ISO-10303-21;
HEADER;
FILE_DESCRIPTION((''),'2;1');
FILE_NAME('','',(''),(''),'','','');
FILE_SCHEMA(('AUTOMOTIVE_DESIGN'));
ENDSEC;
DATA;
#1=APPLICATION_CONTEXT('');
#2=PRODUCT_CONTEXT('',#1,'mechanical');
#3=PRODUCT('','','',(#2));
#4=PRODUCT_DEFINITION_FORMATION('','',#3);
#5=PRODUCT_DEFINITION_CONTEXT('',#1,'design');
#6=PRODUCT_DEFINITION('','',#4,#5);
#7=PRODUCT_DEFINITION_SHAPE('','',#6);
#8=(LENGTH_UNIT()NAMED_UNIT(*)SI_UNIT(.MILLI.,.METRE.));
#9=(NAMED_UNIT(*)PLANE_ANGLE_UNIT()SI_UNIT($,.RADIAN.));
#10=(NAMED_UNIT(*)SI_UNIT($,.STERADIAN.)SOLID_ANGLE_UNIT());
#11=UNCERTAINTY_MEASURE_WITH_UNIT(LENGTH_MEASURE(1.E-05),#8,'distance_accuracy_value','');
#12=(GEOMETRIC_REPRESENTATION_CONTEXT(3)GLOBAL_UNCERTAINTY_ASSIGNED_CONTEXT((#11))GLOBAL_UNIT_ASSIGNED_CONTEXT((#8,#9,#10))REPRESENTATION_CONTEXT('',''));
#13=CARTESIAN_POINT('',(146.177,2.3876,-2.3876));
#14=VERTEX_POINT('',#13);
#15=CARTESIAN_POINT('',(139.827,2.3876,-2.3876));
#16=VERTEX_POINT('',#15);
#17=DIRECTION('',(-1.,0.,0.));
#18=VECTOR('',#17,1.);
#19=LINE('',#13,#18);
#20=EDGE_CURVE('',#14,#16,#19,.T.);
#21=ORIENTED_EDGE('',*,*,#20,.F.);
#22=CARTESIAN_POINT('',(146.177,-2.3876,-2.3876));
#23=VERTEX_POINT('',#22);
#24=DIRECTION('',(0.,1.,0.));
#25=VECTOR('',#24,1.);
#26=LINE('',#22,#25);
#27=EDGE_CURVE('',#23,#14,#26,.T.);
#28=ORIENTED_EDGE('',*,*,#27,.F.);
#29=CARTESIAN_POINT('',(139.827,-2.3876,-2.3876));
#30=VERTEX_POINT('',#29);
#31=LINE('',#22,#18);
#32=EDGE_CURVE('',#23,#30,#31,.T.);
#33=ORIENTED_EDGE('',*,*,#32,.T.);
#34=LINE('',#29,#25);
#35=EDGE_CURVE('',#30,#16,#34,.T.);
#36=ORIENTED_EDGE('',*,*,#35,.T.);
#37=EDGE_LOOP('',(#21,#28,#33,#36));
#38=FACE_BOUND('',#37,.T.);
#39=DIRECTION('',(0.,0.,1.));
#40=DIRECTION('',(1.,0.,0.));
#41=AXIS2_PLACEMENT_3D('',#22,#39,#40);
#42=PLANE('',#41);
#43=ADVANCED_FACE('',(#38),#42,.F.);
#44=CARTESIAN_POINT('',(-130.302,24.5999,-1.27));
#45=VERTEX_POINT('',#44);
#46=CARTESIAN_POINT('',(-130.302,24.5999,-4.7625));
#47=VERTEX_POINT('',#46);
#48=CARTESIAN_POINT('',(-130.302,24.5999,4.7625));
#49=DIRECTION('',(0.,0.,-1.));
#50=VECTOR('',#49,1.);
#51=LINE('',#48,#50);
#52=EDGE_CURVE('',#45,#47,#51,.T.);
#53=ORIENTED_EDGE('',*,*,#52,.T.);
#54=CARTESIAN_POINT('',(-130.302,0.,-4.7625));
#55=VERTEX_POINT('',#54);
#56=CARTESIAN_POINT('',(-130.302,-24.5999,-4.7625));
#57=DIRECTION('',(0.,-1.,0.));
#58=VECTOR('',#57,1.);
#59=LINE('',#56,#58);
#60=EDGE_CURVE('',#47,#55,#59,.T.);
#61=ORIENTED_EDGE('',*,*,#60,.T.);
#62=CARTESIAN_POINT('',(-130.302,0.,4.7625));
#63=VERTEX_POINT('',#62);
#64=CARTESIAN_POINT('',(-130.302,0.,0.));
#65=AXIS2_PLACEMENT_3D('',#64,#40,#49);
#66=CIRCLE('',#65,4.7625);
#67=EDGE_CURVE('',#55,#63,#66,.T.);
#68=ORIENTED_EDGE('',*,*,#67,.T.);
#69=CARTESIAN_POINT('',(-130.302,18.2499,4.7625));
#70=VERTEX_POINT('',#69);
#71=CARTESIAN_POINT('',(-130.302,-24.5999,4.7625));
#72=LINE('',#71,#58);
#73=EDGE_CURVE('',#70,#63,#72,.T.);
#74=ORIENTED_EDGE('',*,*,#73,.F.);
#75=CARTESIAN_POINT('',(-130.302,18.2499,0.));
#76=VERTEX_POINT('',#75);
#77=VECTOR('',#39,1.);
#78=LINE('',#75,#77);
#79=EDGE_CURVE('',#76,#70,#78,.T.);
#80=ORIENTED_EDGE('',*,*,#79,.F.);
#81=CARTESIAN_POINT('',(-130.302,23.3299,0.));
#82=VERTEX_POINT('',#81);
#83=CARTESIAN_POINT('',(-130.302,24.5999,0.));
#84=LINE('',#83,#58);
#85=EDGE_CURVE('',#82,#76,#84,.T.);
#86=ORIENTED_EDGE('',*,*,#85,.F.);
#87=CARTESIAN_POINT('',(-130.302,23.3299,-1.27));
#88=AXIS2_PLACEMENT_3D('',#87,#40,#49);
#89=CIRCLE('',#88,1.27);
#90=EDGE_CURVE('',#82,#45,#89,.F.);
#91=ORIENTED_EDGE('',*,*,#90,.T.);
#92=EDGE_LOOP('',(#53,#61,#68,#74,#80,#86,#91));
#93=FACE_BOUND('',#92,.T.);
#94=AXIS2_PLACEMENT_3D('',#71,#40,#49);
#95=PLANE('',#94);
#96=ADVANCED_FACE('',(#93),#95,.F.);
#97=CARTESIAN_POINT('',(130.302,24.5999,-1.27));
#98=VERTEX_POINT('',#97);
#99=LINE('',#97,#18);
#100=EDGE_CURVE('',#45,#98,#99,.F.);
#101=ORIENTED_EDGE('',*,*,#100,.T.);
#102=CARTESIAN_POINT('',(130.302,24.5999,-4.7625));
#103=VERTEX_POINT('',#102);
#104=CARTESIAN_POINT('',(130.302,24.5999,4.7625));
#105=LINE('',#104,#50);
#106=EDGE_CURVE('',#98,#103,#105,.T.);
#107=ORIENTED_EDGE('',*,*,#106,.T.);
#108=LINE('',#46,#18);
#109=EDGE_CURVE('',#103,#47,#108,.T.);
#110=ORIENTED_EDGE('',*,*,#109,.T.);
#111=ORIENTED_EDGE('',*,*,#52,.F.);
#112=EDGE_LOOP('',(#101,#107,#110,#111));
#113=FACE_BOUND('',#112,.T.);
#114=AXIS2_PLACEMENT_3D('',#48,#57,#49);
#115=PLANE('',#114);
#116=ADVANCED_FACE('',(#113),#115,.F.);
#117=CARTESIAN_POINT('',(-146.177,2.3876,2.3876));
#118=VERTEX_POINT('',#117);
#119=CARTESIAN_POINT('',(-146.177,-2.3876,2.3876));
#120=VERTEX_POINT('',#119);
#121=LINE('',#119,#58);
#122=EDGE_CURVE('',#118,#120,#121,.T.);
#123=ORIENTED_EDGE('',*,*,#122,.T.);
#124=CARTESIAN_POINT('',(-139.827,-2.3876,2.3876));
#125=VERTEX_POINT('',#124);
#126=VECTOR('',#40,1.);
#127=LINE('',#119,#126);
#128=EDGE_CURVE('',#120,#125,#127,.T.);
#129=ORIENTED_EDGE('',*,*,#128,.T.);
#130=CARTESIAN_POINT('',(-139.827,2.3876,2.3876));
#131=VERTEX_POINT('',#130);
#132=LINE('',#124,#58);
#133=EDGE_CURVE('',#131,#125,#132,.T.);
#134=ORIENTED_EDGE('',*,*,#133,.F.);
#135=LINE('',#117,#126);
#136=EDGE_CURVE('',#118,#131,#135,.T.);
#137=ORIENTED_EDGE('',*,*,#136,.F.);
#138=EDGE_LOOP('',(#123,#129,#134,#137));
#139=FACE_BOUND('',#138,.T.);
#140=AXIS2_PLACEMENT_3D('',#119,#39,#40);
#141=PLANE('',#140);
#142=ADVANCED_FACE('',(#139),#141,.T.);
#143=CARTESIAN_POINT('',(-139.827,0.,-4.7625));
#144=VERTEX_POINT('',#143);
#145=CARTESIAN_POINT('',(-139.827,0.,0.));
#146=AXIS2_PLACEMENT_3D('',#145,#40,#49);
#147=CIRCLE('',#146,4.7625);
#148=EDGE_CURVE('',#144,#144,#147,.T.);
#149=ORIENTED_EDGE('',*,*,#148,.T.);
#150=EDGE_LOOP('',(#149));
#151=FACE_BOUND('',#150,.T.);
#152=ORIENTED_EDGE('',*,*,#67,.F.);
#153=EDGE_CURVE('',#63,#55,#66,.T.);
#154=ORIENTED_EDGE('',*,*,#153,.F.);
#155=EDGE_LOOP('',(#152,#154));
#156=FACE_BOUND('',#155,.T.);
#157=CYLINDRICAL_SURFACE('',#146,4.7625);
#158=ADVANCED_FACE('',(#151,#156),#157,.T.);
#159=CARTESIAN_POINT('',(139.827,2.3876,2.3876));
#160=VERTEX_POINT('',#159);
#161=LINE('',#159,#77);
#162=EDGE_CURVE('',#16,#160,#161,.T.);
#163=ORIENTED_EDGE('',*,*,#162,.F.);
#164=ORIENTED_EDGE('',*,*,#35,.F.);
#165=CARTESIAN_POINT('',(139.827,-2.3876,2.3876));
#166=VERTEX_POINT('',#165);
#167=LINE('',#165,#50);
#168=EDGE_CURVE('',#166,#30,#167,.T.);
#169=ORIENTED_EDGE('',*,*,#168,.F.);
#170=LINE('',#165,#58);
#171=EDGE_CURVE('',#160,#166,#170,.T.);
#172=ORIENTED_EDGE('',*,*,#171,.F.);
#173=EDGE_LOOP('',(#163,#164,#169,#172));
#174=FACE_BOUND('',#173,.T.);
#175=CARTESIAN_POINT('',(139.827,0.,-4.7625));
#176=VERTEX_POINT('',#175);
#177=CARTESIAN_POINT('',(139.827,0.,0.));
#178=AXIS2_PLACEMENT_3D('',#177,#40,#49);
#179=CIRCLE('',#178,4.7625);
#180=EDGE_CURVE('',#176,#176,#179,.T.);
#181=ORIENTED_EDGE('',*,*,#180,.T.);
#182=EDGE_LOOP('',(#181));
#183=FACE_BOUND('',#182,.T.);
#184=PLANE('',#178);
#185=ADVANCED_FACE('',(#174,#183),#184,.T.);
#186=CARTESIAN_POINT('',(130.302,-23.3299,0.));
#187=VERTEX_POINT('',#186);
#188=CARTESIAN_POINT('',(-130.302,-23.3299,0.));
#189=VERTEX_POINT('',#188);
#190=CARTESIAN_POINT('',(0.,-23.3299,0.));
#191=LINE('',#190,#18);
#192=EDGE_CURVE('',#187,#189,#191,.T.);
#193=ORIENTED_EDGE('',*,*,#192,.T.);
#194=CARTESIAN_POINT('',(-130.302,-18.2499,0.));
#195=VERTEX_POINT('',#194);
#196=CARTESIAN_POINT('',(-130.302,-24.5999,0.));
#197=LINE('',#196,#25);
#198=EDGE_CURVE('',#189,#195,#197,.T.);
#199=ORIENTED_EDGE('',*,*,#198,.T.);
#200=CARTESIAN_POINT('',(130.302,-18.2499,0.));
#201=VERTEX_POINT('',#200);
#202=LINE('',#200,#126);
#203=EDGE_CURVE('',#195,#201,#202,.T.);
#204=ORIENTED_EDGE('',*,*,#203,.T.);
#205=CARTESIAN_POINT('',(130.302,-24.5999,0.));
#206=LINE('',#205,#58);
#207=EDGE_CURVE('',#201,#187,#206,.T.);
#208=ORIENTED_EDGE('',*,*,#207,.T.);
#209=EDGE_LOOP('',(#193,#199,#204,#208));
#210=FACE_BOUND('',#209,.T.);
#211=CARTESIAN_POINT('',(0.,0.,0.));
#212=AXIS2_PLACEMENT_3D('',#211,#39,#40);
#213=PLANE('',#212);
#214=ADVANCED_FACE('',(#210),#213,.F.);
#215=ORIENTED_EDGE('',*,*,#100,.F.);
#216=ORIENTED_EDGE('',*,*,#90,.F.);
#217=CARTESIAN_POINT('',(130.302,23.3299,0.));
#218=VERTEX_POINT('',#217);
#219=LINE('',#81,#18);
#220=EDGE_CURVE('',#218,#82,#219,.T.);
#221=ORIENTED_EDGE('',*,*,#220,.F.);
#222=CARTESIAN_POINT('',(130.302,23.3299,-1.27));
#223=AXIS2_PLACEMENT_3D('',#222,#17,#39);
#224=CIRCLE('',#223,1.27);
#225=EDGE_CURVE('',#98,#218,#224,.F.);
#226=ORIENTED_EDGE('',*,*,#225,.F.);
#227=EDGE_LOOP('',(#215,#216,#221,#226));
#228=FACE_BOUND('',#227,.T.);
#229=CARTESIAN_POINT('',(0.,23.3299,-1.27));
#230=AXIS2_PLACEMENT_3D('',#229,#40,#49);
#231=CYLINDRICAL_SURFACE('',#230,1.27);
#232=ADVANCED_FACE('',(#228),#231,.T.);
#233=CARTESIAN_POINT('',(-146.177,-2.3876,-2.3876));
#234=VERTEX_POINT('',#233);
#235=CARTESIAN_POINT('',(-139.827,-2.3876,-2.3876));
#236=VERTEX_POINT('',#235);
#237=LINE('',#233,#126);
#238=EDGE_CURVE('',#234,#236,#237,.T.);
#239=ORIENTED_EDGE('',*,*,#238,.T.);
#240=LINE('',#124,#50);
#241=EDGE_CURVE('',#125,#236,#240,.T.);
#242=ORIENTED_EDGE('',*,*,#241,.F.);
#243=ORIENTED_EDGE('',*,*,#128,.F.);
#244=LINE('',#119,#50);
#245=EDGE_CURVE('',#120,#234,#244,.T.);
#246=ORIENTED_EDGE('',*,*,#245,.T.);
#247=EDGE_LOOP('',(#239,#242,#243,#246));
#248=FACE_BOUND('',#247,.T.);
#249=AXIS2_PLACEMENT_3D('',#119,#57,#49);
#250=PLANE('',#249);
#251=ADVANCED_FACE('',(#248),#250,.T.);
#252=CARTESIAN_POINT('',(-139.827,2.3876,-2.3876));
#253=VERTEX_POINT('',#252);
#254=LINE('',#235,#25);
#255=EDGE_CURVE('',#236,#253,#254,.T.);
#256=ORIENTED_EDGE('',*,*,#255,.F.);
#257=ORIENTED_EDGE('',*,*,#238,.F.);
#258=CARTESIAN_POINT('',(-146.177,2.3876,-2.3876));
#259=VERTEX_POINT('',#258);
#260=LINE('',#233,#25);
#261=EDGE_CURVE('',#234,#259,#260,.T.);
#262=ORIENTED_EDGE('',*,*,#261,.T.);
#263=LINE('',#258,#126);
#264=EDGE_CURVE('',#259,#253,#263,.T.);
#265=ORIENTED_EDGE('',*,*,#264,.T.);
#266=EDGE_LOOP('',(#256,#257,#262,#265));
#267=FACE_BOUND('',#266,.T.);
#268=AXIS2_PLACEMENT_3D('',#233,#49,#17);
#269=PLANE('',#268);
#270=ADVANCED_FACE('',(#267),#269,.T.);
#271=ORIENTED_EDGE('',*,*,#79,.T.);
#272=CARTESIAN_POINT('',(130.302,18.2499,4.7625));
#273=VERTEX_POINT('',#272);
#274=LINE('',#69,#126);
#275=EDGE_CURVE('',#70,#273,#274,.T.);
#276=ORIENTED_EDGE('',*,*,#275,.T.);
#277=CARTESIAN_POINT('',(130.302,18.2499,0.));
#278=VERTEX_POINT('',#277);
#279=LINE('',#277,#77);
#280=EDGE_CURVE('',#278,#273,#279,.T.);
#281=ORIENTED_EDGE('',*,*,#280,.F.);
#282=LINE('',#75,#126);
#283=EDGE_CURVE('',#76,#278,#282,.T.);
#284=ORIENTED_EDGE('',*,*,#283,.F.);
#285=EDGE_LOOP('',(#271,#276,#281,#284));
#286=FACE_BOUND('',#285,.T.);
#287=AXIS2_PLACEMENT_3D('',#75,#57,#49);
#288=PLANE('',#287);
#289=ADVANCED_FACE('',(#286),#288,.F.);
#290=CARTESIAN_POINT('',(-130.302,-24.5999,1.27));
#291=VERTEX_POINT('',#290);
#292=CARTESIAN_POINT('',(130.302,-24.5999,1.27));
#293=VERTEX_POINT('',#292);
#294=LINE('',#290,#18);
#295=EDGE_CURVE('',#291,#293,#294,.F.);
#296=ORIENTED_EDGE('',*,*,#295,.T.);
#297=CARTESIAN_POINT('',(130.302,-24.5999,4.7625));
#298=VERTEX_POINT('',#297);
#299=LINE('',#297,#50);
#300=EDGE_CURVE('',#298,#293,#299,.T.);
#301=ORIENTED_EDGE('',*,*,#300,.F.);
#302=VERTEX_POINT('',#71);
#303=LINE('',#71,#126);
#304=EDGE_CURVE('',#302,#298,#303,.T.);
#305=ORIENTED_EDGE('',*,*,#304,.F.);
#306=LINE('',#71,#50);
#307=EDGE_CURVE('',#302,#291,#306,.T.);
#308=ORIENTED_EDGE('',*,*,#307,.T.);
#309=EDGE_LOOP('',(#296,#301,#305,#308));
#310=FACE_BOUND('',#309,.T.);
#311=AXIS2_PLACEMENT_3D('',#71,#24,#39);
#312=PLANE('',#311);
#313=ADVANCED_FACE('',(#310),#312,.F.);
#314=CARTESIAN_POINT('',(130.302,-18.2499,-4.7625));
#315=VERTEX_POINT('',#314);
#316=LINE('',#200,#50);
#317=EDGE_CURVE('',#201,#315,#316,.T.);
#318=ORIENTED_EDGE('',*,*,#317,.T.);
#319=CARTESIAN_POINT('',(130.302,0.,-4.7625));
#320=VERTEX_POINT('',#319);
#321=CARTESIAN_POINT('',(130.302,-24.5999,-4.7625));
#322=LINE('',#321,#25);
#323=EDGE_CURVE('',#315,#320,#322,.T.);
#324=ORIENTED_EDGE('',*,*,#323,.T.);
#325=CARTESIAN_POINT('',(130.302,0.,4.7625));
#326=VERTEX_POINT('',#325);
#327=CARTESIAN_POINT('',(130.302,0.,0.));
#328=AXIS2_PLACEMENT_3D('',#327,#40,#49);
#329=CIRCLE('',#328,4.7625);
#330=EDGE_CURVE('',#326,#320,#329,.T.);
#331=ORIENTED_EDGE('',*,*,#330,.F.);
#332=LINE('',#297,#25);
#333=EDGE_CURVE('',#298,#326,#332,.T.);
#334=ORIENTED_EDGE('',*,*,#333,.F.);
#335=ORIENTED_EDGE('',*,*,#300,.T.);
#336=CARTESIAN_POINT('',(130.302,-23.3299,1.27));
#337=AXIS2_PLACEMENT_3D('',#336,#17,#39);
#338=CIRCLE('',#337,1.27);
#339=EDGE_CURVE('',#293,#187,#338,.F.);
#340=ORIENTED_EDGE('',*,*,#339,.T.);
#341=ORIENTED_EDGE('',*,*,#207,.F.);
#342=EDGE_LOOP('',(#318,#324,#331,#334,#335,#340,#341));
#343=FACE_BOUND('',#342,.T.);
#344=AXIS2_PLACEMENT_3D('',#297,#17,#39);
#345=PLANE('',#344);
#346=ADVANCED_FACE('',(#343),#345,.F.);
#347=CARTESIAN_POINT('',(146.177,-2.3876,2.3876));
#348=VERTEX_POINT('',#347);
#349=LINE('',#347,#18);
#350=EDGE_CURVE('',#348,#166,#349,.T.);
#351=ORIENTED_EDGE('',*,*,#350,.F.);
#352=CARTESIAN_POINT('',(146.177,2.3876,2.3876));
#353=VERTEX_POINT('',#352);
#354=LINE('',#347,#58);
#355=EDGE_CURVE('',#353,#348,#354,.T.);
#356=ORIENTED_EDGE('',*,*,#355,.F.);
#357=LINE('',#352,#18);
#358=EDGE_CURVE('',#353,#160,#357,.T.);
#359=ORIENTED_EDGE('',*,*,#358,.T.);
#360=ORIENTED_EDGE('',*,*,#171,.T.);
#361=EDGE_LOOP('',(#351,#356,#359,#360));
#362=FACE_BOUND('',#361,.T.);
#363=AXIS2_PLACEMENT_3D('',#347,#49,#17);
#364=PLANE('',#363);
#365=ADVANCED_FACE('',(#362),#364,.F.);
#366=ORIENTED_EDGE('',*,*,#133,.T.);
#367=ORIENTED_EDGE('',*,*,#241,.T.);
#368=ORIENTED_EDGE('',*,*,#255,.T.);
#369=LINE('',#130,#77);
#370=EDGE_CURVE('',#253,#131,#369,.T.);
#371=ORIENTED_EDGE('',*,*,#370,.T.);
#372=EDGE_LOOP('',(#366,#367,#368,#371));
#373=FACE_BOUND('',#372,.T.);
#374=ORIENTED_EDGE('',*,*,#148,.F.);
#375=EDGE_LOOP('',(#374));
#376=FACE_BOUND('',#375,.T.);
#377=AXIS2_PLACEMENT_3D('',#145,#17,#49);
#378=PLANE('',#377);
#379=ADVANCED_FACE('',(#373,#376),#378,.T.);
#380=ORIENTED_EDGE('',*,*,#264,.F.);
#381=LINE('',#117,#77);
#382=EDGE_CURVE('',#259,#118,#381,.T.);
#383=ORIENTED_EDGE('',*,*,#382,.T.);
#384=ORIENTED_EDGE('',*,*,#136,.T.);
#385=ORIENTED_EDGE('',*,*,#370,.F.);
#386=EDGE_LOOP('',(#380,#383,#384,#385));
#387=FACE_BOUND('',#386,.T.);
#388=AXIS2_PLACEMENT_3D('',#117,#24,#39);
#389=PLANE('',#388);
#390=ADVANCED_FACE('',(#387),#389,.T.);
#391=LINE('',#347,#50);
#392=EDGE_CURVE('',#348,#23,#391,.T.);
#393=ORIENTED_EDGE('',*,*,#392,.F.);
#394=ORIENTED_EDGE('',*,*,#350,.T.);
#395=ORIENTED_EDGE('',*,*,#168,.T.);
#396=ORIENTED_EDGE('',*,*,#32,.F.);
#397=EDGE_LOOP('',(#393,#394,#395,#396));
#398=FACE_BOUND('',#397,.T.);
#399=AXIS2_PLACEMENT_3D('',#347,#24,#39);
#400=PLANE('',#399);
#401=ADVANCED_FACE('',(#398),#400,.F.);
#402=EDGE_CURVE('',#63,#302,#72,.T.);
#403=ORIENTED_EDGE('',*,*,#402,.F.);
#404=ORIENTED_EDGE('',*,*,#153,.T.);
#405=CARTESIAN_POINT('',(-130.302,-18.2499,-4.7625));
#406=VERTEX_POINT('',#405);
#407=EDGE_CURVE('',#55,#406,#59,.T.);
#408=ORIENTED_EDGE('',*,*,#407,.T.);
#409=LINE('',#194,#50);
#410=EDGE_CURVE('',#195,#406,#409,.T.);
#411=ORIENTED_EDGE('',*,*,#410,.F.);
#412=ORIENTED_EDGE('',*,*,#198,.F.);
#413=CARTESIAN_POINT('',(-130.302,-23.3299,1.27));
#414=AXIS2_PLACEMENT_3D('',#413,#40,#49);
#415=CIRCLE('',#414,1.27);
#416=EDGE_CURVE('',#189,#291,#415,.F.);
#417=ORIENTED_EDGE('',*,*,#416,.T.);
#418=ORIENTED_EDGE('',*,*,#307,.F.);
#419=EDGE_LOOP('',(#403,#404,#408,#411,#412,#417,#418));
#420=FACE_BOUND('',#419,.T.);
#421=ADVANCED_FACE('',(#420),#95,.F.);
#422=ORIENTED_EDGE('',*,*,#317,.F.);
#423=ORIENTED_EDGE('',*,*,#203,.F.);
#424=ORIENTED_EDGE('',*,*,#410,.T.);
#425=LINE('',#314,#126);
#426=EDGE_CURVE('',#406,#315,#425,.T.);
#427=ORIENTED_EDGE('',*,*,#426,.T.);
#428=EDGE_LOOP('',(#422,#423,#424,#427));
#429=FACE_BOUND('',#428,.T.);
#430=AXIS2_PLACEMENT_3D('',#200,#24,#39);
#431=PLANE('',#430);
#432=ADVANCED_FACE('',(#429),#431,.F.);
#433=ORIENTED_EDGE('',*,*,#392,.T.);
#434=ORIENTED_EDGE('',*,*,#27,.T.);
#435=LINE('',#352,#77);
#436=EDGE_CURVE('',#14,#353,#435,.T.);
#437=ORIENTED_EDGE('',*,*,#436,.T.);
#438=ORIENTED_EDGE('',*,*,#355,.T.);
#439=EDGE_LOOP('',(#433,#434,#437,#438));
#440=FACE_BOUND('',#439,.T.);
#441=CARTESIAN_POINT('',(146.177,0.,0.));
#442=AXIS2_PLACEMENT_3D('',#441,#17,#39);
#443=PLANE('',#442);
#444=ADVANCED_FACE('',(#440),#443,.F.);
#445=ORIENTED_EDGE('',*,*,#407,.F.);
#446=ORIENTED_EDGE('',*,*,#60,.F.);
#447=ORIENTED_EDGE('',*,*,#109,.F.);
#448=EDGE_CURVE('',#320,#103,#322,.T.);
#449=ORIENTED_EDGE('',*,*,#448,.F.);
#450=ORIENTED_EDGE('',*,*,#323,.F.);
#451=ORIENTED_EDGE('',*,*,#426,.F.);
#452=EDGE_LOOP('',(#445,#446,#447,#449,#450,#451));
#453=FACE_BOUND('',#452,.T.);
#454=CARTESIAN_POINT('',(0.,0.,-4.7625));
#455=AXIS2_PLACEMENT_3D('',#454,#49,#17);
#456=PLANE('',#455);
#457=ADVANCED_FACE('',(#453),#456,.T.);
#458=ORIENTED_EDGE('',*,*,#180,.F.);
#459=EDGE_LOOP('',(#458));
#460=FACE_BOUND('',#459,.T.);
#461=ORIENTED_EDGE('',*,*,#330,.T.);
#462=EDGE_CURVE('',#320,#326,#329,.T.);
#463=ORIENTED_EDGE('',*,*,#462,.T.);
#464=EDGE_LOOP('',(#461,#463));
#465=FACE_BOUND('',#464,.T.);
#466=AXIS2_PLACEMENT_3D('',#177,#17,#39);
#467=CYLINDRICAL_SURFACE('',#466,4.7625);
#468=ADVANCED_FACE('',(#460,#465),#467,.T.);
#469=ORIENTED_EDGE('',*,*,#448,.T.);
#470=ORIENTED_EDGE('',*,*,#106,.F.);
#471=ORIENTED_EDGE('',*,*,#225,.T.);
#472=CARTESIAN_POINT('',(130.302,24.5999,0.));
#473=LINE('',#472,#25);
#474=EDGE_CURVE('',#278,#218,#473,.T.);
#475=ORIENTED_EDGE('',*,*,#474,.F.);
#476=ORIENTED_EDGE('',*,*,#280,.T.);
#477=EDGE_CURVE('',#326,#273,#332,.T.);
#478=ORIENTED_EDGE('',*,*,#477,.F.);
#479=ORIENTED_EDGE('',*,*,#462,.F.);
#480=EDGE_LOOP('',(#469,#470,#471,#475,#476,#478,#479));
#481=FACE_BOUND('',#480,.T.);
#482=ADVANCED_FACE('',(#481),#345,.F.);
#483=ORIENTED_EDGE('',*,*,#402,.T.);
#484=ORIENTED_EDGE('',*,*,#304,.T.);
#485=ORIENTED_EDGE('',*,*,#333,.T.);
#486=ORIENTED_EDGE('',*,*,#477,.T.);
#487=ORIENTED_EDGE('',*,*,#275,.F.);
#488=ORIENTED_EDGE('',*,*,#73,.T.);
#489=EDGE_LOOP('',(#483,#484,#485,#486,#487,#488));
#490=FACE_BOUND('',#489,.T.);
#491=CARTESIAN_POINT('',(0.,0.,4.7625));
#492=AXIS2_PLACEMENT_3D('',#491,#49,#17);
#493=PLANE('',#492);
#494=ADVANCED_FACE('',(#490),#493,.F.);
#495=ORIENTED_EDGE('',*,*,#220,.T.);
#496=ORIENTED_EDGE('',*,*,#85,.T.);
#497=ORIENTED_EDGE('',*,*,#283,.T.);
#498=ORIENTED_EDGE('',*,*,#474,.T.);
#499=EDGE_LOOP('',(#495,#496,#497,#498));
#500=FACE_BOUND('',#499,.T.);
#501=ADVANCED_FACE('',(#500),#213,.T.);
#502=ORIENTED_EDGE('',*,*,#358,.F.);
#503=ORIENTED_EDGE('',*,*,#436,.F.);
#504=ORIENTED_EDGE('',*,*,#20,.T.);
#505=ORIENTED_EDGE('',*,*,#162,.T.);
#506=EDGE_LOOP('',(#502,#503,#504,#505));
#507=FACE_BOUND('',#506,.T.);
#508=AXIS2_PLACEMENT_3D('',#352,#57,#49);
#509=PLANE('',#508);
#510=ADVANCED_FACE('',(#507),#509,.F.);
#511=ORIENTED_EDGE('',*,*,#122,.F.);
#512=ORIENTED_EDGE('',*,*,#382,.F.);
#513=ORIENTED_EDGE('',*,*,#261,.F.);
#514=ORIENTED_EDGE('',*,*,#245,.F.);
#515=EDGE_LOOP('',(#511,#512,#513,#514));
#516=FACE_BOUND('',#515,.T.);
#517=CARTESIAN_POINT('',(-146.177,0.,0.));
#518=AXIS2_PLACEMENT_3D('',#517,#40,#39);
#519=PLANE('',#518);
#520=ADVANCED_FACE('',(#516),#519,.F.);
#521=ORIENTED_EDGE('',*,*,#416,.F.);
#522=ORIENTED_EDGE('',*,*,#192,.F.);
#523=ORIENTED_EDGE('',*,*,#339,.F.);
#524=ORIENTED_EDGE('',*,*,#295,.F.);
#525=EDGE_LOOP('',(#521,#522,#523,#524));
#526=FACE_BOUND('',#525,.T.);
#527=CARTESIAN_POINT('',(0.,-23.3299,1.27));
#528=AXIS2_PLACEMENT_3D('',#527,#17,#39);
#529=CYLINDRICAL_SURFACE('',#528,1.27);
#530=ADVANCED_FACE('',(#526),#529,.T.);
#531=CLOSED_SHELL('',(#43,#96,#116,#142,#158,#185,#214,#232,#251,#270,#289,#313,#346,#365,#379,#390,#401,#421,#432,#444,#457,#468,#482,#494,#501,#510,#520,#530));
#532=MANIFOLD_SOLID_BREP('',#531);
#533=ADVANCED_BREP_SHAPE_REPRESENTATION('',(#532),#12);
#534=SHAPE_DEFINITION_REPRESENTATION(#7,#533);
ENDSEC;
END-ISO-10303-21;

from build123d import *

# Parameters (mm, degrees)
SKETCH1_W           = 260.604
SKETCH1_H           = 49.1998
BOSS_EXTRUDE1_DEPTH = 4.7625
SKETCH2_R           = 4.7625
BOSS_EXTRUDE2_DEPTH = 9.525
SKETCH3_W           = 4.7752
SKETCH3_H           = 4.7752
BOSS_EXTRUDE3_DEPTH = 6.35
SKETCH4_W           = 260.604
SKETCH4_H           = 6.35
CUT_EXTRUDE1_DEPTH  = 4.7625
SKETCH5_W           = 260.604
SKETCH5_H           = 6.35
CUT_EXTRUDE2_DEPTH  = 4.7625
FILLET1_R           = 1.27


with BuildPart() as part:
    # Sketch1 → Boss-Extrude1 (new, symmetric)
    with BuildSketch(Plane.XY):
        Rectangle(SKETCH1_W, SKETCH1_H)
    extrude(amount=BOSS_EXTRUDE1_DEPTH, both=True)

    # Sketch2 → Boss-Extrude2 (add)
    with BuildSketch(Plane(origin=(130.302, 0, 0), x_dir=(0, 0, -1), z_dir=(1, 0, 0))):
        Circle(SKETCH2_R)
    boss_extrude2 = extrude(amount=BOSS_EXTRUDE2_DEPTH)

    # Sketch3 → Boss-Extrude3 (add)
    with BuildSketch(Plane(origin=(139.827, 0, 0), x_dir=(0, 0, -1), z_dir=(1, 0, 0))):
        Rectangle(SKETCH3_W, SKETCH3_H)
    boss_extrude3 = extrude(amount=BOSS_EXTRUDE3_DEPTH)

    # Mirror1: Boss-Extrude2, Boss-Extrude3 across plane
    add(boss_extrude2.mirror(Plane(origin=(0, 0, 0), x_dir=(0, 0, 1), z_dir=(1, 0, 0))))
    add(boss_extrude3.mirror(Plane(origin=(0, 0, 0), x_dir=(0, 0, 1), z_dir=(1, 0, 0))))

    # Sketch4 → Cut-Extrude1 (cut)
    with BuildSketch(Plane.XY.offset(4.7625)):
        with Locations((0, 21.4249)):
            Rectangle(SKETCH4_W, SKETCH4_H)
    extrude(amount=-CUT_EXTRUDE1_DEPTH, mode=Mode.SUBTRACT)

    # Sketch5 → Cut-Extrude2 (cut)
    with BuildSketch(Plane(origin=(0, 0, -4.7625), x_dir=(-1, 0, 0), z_dir=(0, 0, -1))):
        with Locations((0, -21.4249)):
            Rectangle(SKETCH5_W, SKETCH5_H)
    extrude(amount=-CUT_EXTRUDE2_DEPTH, mode=Mode.SUBTRACT)

    # Fillet1
    fillet1_edges = [part.edges().sort_by_distance(p)[0] for p in [
        (0, 24.5999, 0),
        (0, -24.5999, 0),
    ]]
    fillet(fillet1_edges, radius=FILLET1_R)


solid = part.part
